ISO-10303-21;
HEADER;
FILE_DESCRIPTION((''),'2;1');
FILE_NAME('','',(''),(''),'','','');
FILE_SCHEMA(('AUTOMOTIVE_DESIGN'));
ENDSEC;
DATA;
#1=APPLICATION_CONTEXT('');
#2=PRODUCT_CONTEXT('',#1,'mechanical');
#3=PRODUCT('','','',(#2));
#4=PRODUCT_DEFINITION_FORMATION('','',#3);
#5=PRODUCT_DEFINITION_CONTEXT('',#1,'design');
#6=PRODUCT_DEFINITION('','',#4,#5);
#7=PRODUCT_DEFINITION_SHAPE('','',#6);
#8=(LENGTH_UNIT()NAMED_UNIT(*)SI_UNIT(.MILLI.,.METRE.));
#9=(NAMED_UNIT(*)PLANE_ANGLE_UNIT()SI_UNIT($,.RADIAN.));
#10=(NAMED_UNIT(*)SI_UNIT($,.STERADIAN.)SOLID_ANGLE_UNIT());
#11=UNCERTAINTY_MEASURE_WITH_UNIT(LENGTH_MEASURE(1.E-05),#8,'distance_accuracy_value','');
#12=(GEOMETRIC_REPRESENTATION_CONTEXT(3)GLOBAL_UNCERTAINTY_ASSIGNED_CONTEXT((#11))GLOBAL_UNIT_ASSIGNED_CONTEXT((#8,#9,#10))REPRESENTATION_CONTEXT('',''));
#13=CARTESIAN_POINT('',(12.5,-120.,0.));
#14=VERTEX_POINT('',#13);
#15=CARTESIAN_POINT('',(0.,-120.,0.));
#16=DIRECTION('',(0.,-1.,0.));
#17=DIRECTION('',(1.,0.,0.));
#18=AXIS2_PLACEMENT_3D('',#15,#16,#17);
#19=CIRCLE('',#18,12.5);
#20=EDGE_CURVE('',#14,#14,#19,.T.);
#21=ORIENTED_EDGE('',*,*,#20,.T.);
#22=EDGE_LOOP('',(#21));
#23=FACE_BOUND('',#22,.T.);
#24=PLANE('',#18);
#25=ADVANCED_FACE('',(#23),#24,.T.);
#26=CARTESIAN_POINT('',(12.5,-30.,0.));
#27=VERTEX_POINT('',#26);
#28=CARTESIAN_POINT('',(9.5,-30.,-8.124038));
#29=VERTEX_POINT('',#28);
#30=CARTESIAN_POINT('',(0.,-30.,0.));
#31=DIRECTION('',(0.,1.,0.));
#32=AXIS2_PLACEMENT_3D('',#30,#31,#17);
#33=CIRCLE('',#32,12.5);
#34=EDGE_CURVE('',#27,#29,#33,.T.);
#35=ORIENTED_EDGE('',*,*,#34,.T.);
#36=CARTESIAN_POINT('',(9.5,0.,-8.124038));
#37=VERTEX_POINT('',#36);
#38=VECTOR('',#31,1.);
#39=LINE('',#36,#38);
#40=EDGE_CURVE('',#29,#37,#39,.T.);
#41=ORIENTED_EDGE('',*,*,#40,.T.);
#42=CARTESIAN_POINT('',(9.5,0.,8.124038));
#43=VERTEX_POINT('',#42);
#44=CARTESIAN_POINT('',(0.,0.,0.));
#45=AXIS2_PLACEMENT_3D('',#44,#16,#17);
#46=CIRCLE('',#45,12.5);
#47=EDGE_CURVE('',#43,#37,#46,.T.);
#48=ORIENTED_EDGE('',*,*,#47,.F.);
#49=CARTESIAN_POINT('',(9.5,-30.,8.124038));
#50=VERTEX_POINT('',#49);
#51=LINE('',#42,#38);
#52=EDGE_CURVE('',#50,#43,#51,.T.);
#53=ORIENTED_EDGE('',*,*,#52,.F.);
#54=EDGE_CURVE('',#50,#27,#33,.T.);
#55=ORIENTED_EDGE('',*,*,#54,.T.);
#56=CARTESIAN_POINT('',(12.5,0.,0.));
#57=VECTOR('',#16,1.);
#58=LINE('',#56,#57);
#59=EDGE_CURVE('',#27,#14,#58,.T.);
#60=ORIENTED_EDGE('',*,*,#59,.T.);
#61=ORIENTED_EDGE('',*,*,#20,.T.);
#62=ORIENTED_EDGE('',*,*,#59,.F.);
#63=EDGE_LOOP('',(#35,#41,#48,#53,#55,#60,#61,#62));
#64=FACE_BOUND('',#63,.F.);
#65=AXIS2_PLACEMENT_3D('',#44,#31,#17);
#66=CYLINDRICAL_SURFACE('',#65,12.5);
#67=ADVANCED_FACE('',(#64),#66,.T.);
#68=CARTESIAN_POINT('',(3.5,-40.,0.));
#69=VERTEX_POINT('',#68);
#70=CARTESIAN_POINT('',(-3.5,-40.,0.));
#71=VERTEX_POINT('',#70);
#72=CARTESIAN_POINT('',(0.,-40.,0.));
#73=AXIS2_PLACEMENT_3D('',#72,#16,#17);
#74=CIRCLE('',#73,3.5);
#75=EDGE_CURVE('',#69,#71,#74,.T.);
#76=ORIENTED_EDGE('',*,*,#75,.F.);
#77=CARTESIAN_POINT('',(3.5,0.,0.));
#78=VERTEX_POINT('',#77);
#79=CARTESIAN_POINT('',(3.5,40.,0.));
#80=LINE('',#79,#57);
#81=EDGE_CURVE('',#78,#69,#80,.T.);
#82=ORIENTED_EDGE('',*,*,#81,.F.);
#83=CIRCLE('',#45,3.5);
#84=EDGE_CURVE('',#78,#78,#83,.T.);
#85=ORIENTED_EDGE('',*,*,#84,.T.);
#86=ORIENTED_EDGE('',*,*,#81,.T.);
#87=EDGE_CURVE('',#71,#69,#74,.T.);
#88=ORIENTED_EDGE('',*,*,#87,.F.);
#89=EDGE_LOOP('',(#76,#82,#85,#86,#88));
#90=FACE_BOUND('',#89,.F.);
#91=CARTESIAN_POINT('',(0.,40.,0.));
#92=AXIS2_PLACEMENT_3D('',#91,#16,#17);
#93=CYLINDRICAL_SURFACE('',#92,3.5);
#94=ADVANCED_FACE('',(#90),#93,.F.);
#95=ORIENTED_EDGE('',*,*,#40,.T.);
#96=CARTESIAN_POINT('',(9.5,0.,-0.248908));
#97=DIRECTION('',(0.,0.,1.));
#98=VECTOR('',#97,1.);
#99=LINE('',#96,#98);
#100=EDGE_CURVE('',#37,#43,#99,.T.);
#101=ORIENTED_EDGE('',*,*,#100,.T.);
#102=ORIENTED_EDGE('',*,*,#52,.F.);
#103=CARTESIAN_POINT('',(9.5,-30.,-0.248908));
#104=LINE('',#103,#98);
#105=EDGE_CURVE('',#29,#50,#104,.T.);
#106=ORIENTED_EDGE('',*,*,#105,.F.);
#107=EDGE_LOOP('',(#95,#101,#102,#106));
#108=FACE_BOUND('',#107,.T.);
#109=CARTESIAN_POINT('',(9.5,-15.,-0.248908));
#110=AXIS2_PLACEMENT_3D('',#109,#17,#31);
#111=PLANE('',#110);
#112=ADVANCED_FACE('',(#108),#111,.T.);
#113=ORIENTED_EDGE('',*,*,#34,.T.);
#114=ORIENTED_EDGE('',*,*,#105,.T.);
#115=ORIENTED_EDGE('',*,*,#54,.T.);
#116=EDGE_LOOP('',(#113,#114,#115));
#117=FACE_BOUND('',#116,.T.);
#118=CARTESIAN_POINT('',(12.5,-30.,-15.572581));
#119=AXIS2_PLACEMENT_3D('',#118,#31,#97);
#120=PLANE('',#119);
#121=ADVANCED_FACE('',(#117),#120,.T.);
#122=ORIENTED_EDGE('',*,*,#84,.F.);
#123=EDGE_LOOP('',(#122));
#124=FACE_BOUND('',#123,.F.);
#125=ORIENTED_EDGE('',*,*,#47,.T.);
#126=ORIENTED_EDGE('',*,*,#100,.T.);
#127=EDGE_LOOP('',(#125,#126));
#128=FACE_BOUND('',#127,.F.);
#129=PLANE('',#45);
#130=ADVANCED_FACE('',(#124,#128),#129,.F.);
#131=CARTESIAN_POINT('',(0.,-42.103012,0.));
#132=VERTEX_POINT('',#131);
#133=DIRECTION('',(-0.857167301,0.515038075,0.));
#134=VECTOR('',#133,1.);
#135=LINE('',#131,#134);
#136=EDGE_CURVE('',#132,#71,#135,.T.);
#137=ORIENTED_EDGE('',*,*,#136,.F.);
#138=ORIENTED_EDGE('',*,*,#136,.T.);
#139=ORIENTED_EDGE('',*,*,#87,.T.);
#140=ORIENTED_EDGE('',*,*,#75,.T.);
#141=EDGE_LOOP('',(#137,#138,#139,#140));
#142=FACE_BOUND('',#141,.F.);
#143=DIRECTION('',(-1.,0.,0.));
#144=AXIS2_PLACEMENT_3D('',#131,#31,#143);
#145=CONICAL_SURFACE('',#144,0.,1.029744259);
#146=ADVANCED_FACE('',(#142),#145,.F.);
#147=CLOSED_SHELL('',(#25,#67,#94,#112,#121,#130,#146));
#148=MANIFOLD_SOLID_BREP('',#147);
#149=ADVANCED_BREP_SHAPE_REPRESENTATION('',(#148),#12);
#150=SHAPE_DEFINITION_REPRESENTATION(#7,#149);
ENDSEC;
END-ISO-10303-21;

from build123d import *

# Parameters (mm, degrees)
F0_R     = 12.5
F1_DEPTH = 120
F3_D     = 7
F3_DEPTH = 40
F3_TIP   = 2.1030121666
F5_W     = 30
F5_H     = 30.6473458186
F6_DEPTH = 3


with BuildPart() as f1:
    # F0 (on Front) → F1 (new body)
    with BuildSketch(Plane.XZ):
        Circle(F0_R)
    extrude(amount=F1_DEPTH)

    # F3
    with Locations(Plane(origin=(0, 0, 0), x_dir=(-1, 0, 0), z_dir=(0, 1, 0))):
        with Locations((0, 0)):
            Hole(F3_D / 2, depth=F3_DEPTH)
            with Locations((0, 0, -(F3_DEPTH + F3_TIP / 2))):  # 118° drill point
                Cone(0, F3_D / 2, F3_TIP, mode=Mode.SUBTRACT)

    # F5 (on offset) → F6 (cut)
    with BuildSketch(Plane.YZ.offset(12.5)):
        with Locations((-15, -0.2489075996)):
            Rectangle(F5_W, F5_H)
    extrude(amount=-F6_DEPTH, mode=Mode.SUBTRACT)


solid = f1.part
